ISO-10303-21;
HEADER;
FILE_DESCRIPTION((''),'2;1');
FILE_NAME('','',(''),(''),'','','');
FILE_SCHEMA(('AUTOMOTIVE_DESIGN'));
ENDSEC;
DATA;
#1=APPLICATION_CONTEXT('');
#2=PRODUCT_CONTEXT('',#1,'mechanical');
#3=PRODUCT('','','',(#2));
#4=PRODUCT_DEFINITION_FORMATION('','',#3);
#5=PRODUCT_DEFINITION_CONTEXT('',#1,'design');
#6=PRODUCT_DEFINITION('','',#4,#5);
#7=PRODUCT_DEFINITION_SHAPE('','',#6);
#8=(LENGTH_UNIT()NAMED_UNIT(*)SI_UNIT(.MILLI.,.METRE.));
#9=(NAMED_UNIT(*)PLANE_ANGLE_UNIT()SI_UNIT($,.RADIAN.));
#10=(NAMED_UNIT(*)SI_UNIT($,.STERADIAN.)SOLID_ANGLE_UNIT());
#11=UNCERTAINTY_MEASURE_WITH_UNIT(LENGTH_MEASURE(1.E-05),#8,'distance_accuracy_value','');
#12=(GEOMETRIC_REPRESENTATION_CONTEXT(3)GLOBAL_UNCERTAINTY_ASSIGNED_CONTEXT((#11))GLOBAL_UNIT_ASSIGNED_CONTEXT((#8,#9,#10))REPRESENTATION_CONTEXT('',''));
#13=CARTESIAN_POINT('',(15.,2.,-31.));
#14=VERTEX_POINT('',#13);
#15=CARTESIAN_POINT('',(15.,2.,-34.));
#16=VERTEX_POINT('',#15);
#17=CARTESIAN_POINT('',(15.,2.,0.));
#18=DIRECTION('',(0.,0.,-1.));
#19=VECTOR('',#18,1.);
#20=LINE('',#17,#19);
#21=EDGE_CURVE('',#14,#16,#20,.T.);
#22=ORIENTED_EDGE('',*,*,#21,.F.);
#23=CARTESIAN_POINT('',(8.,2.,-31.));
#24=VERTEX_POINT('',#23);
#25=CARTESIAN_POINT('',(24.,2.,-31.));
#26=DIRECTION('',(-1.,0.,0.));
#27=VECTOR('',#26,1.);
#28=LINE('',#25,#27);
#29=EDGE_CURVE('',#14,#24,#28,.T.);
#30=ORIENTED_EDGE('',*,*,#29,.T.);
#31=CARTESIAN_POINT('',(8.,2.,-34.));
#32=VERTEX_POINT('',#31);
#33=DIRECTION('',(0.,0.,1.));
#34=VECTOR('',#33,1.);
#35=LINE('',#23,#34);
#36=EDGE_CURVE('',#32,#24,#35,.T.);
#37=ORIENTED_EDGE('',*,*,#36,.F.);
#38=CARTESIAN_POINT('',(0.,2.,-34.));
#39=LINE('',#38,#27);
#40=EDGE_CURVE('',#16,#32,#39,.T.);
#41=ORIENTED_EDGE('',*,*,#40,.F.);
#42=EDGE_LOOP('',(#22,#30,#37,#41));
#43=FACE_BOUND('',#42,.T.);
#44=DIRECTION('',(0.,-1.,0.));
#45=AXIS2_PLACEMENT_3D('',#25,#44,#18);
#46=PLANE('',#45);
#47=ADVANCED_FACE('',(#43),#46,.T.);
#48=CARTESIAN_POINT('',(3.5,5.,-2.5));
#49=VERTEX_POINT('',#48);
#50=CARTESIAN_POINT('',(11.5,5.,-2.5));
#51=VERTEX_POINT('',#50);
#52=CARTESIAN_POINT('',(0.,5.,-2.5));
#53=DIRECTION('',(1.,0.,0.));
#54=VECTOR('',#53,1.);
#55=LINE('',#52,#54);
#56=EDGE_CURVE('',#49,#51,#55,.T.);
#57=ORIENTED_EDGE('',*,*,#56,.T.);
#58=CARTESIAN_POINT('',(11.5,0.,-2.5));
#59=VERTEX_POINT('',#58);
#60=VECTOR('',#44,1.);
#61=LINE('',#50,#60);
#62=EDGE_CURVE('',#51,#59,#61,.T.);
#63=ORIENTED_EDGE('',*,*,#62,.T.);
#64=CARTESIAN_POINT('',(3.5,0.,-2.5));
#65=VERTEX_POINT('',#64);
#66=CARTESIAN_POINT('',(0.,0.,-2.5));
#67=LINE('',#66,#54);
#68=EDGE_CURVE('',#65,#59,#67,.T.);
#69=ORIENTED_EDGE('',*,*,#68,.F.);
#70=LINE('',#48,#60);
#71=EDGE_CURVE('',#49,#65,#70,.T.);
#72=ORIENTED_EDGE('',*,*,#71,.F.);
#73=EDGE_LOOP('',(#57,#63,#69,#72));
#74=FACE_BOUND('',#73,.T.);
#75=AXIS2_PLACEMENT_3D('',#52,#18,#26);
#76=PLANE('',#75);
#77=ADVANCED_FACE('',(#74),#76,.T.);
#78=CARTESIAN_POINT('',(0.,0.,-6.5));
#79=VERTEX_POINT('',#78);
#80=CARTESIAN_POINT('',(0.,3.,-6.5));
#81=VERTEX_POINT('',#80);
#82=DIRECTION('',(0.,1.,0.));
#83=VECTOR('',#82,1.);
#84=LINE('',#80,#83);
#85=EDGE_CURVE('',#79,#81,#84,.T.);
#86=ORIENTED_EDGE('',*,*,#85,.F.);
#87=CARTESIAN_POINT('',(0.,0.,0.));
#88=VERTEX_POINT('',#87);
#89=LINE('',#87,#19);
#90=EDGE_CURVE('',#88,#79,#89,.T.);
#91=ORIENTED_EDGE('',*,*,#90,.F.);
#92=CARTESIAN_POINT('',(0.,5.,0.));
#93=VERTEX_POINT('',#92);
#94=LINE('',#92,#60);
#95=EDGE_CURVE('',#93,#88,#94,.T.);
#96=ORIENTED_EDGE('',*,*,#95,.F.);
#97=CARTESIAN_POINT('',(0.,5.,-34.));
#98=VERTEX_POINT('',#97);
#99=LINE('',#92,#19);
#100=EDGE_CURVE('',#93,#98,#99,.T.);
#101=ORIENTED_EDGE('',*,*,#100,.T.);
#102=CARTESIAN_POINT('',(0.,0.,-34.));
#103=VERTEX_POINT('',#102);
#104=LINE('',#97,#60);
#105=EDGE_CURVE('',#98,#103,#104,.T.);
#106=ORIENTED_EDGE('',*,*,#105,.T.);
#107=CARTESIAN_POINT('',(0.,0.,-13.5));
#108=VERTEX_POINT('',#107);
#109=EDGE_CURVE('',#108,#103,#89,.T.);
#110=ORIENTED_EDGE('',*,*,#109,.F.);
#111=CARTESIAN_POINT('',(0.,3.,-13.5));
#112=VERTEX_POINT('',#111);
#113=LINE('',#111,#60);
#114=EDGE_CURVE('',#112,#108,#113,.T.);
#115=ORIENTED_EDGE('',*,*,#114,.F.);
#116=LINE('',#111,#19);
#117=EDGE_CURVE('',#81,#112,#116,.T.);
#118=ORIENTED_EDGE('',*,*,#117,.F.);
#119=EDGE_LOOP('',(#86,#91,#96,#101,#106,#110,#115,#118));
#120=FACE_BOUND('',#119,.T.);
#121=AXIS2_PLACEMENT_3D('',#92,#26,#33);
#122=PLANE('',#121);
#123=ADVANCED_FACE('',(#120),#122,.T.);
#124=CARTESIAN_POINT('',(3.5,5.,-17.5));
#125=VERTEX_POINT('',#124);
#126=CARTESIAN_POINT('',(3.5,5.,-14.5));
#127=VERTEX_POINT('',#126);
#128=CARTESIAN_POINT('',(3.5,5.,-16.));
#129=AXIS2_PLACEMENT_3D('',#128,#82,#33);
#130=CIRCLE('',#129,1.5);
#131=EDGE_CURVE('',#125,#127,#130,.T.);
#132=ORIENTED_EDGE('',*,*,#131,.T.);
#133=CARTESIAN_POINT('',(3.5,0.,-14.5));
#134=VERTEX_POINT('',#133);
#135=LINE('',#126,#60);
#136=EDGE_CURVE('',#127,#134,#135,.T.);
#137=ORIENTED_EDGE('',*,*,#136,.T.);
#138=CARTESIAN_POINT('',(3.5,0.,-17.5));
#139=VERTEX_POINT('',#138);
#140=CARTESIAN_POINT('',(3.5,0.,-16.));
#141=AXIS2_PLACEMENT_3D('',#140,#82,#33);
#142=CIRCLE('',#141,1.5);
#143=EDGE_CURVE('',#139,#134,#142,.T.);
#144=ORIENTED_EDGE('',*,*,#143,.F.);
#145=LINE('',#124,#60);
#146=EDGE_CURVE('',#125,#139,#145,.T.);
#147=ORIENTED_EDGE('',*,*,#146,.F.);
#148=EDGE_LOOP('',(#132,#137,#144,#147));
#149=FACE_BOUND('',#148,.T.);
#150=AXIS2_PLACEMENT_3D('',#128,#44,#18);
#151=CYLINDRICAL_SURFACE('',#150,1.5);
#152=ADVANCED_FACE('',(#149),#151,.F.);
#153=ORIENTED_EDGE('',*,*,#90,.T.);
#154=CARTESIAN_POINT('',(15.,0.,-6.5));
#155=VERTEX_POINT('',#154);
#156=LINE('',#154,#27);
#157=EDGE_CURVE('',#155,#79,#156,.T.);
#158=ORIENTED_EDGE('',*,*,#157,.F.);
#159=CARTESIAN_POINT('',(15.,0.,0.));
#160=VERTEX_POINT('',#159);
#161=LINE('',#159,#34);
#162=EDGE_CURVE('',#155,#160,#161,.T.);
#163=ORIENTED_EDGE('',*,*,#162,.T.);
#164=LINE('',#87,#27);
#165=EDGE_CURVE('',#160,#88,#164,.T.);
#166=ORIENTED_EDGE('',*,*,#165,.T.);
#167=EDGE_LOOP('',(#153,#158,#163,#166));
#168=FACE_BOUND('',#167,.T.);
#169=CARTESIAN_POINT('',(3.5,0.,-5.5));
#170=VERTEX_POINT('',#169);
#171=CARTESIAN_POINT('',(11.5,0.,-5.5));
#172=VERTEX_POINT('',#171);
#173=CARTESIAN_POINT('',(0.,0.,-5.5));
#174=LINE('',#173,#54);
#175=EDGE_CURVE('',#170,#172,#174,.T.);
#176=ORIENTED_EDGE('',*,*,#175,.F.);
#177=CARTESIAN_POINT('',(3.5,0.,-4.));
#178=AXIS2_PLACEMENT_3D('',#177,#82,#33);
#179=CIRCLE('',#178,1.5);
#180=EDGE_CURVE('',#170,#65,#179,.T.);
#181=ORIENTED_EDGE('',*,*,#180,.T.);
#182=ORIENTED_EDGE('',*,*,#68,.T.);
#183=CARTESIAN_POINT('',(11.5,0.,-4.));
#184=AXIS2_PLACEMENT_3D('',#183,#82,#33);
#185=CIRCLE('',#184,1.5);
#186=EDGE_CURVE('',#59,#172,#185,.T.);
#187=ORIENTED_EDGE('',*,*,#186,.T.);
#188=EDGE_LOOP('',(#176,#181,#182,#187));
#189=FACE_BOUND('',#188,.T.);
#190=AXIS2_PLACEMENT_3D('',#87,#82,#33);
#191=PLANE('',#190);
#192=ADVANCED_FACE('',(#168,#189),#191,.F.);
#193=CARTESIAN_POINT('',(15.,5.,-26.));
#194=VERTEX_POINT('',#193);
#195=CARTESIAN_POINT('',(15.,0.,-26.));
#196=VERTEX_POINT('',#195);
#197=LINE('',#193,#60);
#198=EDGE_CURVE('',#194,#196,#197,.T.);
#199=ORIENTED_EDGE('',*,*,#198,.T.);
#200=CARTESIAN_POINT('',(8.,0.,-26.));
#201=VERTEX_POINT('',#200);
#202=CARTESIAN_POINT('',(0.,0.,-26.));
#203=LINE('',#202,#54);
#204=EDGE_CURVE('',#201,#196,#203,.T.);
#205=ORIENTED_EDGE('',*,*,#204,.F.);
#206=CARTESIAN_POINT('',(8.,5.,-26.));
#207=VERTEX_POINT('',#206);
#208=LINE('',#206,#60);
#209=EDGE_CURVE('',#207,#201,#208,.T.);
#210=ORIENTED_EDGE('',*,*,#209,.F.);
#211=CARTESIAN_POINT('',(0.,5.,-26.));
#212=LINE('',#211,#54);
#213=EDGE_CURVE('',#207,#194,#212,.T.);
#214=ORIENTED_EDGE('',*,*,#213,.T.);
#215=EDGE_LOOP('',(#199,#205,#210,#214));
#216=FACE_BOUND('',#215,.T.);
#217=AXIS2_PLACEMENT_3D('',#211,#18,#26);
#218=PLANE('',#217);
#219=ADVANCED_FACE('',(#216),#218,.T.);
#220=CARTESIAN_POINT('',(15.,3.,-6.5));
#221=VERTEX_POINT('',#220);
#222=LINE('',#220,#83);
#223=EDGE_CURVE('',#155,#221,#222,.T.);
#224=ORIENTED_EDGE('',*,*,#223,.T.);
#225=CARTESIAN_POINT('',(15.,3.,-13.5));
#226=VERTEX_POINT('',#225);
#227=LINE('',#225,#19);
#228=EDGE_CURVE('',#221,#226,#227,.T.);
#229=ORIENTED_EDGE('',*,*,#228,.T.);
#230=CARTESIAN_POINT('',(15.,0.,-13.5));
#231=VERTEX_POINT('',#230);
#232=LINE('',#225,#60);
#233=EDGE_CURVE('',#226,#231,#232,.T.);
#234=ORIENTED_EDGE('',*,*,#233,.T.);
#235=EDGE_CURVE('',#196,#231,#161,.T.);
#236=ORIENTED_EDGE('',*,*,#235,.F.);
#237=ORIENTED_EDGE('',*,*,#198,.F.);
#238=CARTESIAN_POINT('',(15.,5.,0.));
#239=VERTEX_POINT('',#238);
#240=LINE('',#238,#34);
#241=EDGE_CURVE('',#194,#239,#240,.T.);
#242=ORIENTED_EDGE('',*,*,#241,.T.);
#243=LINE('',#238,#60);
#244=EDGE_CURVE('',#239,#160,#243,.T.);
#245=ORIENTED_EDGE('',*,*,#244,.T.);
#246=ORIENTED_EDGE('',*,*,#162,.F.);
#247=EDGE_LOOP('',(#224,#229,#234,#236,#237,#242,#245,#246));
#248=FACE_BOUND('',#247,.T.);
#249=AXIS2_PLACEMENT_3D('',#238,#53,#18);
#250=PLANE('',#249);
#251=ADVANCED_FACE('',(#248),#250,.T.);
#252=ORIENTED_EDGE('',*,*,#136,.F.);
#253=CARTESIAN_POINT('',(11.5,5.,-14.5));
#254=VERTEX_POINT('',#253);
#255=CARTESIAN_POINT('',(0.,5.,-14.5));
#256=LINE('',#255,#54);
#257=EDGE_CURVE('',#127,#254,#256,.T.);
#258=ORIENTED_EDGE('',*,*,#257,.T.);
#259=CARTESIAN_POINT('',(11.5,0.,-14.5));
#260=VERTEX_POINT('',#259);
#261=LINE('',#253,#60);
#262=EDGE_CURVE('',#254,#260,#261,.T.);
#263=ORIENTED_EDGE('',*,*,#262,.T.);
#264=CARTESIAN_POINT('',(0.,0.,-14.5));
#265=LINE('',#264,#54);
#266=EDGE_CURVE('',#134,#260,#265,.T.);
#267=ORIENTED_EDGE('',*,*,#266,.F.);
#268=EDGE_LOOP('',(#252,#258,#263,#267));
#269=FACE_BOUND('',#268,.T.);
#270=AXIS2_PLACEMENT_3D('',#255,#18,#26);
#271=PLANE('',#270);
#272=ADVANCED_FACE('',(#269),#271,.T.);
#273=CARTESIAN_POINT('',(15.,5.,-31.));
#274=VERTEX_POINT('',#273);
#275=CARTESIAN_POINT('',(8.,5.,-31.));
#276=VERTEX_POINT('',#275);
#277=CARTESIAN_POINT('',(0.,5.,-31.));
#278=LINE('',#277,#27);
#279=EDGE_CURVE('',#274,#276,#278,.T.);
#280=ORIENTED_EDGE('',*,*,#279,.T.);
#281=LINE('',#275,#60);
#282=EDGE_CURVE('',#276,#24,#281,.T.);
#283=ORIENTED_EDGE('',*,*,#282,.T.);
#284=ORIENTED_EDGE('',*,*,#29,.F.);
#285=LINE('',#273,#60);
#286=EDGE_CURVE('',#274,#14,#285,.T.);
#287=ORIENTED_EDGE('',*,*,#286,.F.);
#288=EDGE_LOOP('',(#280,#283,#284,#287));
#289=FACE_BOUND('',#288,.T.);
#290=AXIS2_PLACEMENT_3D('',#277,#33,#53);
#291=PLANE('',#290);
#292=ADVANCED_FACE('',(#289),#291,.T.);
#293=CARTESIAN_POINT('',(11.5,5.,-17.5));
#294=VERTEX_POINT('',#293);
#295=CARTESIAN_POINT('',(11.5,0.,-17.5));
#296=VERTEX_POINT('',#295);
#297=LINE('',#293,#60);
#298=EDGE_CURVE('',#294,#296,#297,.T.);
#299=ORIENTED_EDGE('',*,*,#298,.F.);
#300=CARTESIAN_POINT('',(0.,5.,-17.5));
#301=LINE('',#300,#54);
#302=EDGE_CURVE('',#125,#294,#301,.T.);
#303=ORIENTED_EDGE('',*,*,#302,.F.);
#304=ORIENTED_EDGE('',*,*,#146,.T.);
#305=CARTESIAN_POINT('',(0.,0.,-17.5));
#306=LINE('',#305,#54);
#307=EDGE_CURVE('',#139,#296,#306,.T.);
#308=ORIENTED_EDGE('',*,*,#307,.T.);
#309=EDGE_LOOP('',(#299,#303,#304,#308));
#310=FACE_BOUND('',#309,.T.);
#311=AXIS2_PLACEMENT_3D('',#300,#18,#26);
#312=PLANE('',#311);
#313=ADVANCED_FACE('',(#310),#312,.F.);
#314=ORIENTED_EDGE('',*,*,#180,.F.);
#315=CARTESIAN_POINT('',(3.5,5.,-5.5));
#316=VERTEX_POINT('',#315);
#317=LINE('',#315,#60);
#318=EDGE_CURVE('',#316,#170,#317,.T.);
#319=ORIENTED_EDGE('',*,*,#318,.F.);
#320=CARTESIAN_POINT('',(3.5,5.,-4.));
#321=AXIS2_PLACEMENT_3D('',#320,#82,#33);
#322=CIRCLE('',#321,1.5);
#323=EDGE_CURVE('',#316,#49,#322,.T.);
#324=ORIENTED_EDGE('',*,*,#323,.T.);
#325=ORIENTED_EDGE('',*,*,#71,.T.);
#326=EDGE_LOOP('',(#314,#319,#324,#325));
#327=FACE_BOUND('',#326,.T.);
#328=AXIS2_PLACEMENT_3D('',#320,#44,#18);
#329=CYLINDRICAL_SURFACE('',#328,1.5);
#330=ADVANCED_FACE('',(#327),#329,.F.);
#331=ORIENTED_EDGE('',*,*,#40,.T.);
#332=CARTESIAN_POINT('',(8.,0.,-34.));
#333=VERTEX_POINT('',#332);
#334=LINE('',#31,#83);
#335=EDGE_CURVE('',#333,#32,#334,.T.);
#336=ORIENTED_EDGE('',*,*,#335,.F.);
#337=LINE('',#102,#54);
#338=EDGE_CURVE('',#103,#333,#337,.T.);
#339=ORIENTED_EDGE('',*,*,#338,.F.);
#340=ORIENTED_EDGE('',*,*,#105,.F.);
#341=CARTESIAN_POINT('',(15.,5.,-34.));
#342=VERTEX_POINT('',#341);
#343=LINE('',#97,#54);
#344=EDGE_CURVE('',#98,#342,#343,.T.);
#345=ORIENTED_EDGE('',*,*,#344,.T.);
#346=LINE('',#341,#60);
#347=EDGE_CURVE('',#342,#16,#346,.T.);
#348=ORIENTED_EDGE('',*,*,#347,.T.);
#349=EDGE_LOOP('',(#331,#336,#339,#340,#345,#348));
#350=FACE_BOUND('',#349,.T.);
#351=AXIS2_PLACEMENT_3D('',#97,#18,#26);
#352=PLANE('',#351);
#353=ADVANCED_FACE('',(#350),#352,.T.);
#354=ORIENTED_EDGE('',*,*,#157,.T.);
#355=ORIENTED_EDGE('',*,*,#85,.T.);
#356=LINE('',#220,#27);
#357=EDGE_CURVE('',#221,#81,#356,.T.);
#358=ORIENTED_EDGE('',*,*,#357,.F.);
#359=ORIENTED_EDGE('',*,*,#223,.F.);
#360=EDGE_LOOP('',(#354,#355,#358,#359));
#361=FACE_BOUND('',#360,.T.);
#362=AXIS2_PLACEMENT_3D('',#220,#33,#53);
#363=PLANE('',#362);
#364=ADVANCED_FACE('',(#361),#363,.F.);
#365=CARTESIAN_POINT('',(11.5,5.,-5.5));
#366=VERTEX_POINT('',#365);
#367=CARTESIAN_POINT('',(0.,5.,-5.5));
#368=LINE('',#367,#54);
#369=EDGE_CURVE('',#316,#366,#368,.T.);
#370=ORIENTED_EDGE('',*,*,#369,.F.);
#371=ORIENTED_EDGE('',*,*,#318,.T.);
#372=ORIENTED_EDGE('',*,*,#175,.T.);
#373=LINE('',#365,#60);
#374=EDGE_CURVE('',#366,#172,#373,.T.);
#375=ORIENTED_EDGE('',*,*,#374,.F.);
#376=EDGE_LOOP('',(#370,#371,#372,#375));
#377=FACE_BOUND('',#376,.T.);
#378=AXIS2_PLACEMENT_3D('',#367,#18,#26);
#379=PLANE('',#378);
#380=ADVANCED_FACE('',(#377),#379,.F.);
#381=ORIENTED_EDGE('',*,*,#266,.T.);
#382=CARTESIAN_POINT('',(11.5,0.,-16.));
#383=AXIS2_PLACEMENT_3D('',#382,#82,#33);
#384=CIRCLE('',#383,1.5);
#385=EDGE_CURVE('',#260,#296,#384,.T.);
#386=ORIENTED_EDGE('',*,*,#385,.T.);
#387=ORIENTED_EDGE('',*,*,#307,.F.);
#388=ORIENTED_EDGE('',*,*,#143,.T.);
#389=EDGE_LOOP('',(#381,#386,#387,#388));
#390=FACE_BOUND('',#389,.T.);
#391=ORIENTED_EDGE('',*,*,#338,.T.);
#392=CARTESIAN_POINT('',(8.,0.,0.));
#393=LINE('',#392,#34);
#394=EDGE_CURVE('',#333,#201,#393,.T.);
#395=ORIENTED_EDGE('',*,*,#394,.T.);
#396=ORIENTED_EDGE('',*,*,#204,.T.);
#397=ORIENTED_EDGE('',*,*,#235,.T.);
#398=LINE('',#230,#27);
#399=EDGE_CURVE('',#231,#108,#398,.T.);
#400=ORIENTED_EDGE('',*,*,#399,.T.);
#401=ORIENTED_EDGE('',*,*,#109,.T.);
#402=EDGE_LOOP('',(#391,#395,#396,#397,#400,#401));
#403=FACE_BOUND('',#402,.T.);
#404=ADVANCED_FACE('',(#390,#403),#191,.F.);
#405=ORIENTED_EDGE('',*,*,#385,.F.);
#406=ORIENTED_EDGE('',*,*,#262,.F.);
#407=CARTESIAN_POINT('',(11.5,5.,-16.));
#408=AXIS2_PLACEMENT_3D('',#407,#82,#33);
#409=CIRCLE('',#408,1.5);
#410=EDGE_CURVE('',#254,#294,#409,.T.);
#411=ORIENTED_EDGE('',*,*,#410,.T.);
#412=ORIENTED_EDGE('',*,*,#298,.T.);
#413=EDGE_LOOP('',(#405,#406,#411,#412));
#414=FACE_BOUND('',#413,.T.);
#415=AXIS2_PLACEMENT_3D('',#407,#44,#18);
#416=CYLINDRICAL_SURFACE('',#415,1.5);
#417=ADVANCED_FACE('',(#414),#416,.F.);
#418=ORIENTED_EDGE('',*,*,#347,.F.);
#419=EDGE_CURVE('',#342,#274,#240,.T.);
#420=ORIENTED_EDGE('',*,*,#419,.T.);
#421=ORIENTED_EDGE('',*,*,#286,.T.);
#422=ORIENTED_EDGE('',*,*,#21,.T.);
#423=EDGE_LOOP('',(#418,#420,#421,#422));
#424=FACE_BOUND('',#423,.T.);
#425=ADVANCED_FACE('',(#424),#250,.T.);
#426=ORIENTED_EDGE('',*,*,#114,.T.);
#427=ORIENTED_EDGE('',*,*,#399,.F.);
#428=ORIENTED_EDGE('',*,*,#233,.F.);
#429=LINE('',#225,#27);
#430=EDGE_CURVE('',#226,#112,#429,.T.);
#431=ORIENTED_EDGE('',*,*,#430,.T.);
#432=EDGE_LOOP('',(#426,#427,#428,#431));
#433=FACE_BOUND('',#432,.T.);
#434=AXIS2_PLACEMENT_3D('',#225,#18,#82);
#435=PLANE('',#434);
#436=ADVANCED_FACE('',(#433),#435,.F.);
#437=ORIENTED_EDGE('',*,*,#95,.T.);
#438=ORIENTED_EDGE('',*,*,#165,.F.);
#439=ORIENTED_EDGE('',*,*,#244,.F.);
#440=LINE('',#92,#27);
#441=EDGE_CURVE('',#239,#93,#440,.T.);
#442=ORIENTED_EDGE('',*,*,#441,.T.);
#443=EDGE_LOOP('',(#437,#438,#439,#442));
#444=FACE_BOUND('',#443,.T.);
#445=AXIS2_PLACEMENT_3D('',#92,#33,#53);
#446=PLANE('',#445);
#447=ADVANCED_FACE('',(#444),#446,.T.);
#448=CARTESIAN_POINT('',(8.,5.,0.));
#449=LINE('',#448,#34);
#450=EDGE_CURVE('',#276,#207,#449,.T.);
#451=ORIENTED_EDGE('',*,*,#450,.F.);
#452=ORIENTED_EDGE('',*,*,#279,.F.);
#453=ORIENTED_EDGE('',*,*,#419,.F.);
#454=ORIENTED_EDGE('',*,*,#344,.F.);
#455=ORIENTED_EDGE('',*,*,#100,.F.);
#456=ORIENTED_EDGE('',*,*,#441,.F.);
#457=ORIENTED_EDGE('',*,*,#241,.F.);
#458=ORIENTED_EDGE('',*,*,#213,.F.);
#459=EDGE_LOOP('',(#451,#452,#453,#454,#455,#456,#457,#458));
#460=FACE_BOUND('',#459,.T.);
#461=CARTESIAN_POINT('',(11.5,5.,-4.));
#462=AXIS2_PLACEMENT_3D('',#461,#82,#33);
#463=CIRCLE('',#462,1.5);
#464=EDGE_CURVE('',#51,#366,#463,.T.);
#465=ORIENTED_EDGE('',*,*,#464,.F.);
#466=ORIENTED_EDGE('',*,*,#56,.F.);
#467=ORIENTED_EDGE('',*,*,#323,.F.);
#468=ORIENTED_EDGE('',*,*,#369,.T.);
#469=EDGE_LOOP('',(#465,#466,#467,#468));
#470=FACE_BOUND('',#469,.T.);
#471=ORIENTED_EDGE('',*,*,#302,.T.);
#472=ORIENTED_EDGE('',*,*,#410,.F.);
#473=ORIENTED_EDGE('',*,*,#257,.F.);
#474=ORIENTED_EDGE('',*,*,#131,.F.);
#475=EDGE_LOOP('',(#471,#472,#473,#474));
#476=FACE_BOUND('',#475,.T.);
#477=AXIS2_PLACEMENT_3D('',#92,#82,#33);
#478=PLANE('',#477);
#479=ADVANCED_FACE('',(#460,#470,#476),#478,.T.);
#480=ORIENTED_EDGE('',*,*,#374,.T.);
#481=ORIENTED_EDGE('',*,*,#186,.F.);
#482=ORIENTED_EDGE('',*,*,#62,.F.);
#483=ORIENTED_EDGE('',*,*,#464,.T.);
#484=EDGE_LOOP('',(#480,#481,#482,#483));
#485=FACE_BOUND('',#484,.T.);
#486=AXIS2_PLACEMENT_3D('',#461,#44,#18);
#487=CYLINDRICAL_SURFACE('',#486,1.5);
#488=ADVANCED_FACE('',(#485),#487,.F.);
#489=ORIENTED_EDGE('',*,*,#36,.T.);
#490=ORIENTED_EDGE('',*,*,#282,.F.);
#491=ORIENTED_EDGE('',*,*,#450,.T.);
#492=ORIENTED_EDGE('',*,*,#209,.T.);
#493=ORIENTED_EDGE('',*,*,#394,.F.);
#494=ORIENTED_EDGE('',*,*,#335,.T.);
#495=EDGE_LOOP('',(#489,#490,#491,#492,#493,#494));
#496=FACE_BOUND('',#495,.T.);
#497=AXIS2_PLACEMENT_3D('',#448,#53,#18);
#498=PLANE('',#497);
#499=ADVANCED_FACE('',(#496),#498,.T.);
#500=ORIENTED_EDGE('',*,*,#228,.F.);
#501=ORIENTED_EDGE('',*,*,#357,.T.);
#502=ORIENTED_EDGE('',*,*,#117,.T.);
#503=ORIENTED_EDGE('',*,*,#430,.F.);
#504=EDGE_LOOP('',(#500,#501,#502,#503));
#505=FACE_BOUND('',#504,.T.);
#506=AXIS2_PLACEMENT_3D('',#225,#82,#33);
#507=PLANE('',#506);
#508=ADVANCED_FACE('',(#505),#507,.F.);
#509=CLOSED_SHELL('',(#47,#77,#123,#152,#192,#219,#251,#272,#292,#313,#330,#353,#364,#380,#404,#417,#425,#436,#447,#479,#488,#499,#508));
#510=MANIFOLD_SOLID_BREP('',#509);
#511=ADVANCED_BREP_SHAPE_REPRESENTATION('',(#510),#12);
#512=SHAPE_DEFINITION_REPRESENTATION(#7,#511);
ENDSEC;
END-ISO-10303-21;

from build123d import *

# Parameters (mm, degrees)
EXTRUDE_1_DEPTH     = 5
SKETCH_2_W          = 7
SKETCH_2_H          = 3
CUT_EXTRUDE_1_DEPTH = 16
SKETCH_4_W          = 3
SKETCH_4_H          = 2
CUT_EXTRUDE_3_DEPTH = 16


with BuildPart() as part:
    # 草图1 → 凸台-拉伸1 (new body)
    with BuildSketch(Plane(origin=(0, 0, 0), x_dir=(1, 0, 0), z_dir=(0, 1, 0))):
        Polygon((15, 34), (0, 34), (0, 0), (15, 0), (15, 26), (8, 26), (8, 31), (15, 31), align=None)
        with BuildLine():
            ThreePointArc((3.5, 2.5), (2, 4), (3.5, 5.5))
            Line((3.5, 5.5), (11.5, 5.5))
            ThreePointArc((11.5, 5.5), (13, 4), (11.5, 2.5))
            Line((11.5, 2.5), (3.5, 2.5))
        make_face(mode=Mode.SUBTRACT)
        with BuildLine():
            ThreePointArc((3.5, 14.5), (2, 16), (3.5, 17.5))
            Line((3.5, 17.5), (11.5, 17.5))
            ThreePointArc((11.5, 17.5), (13, 16), (11.5, 14.5))
            Line((11.5, 14.5), (3.5, 14.5))
        make_face(mode=Mode.SUBTRACT)
    extrude(amount=EXTRUDE_1_DEPTH)

    # 草图2 → 切除-拉伸1 (cut, through all)
    with BuildSketch(Plane.ZY):
        with Locations((-10, 1.5)):
            Rectangle(SKETCH_2_W, SKETCH_2_H)
    extrude(amount=-CUT_EXTRUDE_1_DEPTH, mode=Mode.SUBTRACT)

    # 草图4 → 切除-拉伸3 (cut)
    with BuildSketch(Plane(origin=(8, 0, 0), x_dir=(0, 0, -1), z_dir=(1, 0, 0))):
        with Locations((32.5, 1)):
            Rectangle(SKETCH_4_W, SKETCH_4_H)
    extrude(amount=CUT_EXTRUDE_3_DEPTH, mode=Mode.SUBTRACT)


solid = part.part
